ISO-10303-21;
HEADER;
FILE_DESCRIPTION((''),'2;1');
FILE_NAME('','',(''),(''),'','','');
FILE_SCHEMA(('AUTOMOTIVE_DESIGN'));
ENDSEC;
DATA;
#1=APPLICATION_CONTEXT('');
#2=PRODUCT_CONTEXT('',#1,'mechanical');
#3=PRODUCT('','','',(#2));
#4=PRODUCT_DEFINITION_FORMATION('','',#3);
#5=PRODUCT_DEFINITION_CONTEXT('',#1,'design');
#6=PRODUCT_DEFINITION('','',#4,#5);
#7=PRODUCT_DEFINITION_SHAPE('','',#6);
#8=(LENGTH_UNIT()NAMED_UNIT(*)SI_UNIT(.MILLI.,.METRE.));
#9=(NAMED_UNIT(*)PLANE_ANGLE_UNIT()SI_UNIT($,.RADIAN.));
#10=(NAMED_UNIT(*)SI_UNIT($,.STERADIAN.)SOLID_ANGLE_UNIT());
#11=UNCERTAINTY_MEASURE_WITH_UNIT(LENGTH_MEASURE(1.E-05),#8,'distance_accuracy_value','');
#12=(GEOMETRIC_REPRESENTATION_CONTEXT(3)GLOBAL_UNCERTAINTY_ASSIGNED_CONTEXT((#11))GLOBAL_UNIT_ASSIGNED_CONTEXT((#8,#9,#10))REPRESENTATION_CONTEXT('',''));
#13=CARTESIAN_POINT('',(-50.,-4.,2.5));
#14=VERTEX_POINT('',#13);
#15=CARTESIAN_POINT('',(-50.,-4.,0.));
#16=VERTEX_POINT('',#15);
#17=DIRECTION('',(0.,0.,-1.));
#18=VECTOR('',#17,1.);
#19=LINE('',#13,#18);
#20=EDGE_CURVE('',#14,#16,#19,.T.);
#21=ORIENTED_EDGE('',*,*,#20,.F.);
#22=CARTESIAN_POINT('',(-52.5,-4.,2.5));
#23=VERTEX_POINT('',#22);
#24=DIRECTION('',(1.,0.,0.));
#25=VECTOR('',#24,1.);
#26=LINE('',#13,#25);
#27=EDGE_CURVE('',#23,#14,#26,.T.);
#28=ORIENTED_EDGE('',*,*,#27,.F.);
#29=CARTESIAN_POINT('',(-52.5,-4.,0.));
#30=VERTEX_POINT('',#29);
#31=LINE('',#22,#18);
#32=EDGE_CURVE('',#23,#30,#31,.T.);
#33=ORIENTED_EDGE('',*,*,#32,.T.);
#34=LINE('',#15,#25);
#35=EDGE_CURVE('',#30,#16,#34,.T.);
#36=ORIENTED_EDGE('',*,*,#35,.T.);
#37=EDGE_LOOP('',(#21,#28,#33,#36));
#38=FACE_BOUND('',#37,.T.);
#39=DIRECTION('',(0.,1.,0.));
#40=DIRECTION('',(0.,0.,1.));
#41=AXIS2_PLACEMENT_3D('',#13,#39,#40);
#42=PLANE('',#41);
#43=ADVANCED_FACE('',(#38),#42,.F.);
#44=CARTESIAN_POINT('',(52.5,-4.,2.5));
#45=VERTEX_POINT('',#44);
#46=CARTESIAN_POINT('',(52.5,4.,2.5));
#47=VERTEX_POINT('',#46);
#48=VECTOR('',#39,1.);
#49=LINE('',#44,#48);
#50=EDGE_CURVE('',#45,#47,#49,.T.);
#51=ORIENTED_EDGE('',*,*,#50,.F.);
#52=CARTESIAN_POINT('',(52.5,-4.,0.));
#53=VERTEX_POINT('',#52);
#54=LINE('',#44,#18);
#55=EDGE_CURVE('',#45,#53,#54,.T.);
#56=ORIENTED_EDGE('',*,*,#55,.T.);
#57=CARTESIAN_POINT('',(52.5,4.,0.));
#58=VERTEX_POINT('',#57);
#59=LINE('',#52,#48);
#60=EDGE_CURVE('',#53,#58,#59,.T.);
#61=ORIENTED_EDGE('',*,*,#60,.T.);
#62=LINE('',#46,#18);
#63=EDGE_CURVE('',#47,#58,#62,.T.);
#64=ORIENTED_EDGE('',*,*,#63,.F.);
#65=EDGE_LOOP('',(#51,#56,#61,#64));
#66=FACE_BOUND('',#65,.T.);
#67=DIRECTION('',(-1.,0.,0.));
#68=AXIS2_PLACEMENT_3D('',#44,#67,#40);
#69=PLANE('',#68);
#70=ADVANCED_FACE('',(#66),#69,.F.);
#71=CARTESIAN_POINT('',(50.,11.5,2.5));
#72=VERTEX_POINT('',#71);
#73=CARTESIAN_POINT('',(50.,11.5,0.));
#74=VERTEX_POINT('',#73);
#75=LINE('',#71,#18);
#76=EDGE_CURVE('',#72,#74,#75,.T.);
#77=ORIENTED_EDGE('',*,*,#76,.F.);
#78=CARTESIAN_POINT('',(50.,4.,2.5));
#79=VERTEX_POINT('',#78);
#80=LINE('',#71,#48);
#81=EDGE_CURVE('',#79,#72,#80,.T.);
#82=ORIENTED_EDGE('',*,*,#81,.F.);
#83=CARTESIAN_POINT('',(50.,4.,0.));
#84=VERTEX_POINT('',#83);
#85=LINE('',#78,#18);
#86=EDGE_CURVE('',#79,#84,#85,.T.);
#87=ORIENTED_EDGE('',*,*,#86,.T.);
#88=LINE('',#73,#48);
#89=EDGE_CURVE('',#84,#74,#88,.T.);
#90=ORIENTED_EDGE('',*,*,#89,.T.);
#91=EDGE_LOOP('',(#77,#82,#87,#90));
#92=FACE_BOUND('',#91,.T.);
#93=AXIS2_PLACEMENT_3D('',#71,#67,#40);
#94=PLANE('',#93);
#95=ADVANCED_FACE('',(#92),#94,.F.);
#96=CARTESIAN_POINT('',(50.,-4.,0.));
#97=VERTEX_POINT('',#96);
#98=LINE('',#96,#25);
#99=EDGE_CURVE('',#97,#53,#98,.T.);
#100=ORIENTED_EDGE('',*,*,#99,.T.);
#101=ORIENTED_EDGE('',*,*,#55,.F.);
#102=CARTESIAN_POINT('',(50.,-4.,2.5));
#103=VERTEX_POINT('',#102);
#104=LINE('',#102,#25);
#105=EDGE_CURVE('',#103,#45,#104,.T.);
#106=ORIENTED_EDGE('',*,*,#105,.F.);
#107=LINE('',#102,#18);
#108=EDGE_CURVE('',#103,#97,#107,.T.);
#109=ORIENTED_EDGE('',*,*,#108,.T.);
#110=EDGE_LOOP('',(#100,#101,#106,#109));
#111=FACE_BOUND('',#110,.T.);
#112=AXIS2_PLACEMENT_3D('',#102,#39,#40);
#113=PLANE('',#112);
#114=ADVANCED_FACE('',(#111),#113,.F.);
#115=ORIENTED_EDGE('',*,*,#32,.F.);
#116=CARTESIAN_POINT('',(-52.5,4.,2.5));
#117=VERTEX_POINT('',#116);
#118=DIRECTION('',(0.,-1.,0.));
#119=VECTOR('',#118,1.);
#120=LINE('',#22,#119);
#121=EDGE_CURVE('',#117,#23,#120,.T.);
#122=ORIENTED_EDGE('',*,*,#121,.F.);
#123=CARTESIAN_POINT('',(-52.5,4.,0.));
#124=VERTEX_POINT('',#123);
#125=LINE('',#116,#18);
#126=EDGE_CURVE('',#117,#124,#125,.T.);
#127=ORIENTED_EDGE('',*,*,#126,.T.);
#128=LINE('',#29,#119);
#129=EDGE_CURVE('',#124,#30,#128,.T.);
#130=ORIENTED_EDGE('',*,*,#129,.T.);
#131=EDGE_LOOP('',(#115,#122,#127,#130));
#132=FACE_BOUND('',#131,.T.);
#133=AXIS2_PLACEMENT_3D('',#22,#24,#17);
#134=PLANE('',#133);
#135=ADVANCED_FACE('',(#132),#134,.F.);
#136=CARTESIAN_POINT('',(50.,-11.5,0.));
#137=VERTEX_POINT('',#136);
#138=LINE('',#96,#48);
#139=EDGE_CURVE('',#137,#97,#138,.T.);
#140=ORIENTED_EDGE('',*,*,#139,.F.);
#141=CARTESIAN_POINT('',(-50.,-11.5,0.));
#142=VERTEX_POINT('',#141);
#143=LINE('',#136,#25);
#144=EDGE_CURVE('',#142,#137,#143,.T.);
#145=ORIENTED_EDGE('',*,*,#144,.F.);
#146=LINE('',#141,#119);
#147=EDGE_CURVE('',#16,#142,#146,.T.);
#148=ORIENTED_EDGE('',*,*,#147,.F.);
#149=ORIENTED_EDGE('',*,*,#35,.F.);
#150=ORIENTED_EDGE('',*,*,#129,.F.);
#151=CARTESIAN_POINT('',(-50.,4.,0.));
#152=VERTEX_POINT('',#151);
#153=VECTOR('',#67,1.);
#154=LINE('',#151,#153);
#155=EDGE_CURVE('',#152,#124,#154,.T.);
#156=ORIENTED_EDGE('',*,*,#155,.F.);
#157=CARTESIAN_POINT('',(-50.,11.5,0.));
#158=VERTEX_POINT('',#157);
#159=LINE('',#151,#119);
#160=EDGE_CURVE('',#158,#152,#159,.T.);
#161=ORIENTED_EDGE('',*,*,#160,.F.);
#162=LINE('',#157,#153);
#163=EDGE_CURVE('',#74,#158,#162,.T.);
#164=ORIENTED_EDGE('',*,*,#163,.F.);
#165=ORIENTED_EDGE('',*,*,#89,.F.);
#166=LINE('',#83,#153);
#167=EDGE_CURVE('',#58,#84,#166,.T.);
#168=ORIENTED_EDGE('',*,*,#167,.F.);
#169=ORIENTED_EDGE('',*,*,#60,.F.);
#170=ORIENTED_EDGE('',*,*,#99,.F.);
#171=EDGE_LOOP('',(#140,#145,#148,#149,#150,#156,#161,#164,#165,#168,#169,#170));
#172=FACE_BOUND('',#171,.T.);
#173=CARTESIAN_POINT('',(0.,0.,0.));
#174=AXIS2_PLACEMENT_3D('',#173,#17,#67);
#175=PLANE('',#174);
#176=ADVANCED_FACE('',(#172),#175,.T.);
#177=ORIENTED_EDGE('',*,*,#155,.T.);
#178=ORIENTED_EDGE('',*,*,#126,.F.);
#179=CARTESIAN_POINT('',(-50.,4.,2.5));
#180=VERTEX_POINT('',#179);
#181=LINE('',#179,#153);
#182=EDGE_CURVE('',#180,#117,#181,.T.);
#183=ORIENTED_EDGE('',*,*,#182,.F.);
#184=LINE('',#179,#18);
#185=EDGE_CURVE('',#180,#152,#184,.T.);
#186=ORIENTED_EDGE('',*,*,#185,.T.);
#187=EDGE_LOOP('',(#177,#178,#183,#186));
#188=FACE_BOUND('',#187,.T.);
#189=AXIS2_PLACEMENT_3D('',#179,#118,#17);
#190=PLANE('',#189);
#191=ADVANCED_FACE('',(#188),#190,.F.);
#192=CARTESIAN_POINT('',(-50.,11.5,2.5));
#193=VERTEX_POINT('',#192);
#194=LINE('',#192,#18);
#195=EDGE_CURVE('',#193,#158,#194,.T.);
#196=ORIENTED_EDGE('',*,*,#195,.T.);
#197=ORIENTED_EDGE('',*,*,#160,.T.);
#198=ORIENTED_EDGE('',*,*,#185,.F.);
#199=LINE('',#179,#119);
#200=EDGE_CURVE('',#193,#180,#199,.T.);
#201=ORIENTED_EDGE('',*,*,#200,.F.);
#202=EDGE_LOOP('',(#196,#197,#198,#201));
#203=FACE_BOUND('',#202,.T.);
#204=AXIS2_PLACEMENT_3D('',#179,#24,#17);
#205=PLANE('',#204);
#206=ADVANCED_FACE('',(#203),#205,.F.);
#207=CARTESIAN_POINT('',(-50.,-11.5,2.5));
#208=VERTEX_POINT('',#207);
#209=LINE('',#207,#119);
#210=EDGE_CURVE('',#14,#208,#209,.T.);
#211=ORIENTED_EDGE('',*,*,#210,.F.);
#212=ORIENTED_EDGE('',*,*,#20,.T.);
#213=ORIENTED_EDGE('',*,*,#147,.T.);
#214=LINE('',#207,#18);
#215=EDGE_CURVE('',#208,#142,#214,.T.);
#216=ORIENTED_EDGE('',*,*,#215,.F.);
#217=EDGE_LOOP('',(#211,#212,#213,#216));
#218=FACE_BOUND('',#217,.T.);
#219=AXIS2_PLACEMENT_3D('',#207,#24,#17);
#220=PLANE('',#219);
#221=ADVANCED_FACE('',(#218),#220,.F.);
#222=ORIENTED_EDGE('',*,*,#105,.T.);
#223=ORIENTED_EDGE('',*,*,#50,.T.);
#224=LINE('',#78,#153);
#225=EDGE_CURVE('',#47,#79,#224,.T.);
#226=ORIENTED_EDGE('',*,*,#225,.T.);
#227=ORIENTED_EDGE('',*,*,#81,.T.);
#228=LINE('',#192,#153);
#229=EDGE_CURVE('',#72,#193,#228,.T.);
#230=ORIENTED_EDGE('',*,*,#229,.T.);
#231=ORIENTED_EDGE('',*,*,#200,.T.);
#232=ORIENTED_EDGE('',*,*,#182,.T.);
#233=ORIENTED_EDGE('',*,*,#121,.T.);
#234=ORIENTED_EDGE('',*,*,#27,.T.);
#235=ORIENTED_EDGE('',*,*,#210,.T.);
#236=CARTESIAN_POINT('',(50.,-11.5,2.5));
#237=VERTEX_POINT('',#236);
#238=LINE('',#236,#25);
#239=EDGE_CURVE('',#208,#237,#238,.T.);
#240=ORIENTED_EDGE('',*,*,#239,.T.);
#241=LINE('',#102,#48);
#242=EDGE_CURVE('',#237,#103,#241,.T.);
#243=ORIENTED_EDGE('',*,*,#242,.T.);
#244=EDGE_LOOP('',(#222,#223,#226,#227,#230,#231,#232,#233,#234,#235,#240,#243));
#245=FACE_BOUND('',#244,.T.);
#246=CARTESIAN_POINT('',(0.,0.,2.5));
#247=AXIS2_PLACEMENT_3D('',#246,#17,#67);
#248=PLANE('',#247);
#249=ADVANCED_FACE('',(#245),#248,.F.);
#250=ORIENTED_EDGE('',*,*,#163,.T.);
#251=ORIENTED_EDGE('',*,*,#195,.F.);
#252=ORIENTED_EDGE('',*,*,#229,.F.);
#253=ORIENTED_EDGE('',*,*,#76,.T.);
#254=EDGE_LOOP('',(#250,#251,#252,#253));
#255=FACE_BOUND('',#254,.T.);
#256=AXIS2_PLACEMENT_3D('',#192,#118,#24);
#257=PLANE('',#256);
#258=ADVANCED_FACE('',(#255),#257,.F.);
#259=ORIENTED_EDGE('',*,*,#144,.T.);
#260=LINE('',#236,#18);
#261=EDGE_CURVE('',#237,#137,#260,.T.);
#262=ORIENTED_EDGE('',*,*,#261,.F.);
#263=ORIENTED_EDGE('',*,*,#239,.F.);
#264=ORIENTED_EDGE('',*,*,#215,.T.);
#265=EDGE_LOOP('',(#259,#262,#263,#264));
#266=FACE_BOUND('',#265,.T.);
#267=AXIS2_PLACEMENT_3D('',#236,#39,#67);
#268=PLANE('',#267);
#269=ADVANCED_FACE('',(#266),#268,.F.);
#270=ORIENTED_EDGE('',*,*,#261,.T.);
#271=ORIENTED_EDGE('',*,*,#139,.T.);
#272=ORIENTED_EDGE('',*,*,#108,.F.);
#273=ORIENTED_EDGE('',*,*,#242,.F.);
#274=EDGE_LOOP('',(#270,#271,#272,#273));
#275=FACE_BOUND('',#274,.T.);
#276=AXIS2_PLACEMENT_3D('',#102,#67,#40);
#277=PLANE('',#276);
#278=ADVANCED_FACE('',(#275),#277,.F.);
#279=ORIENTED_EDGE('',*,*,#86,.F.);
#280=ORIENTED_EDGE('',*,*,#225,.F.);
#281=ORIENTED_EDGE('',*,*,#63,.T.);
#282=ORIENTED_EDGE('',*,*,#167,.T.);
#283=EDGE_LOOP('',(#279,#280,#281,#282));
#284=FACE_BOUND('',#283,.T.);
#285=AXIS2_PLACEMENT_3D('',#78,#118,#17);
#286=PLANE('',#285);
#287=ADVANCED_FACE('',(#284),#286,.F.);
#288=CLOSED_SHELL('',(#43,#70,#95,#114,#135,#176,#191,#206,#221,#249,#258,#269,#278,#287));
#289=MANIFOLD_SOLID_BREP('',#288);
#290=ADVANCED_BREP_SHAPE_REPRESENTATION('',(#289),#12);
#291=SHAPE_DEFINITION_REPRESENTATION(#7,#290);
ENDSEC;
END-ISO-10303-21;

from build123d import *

# Parameters (mm, degrees)
BOSS_EXTRUDE1_DEPTH = 2.5


with BuildPart() as part:
    # Sketch1 → Boss-Extrude1 (new body)
    with BuildSketch(Plane.XY):
        Polygon((50, -4), (52.5, -4), (52.5, 4), (50, 4), (50, 11.5), (-50, 11.5), (-50, 4), (-52.5, 4), (-52.5, -4), (-50, -4), (-50, -11.5), (50, -11.5), align=None)
    extrude(amount=BOSS_EXTRUDE1_DEPTH)


solid = part.part
